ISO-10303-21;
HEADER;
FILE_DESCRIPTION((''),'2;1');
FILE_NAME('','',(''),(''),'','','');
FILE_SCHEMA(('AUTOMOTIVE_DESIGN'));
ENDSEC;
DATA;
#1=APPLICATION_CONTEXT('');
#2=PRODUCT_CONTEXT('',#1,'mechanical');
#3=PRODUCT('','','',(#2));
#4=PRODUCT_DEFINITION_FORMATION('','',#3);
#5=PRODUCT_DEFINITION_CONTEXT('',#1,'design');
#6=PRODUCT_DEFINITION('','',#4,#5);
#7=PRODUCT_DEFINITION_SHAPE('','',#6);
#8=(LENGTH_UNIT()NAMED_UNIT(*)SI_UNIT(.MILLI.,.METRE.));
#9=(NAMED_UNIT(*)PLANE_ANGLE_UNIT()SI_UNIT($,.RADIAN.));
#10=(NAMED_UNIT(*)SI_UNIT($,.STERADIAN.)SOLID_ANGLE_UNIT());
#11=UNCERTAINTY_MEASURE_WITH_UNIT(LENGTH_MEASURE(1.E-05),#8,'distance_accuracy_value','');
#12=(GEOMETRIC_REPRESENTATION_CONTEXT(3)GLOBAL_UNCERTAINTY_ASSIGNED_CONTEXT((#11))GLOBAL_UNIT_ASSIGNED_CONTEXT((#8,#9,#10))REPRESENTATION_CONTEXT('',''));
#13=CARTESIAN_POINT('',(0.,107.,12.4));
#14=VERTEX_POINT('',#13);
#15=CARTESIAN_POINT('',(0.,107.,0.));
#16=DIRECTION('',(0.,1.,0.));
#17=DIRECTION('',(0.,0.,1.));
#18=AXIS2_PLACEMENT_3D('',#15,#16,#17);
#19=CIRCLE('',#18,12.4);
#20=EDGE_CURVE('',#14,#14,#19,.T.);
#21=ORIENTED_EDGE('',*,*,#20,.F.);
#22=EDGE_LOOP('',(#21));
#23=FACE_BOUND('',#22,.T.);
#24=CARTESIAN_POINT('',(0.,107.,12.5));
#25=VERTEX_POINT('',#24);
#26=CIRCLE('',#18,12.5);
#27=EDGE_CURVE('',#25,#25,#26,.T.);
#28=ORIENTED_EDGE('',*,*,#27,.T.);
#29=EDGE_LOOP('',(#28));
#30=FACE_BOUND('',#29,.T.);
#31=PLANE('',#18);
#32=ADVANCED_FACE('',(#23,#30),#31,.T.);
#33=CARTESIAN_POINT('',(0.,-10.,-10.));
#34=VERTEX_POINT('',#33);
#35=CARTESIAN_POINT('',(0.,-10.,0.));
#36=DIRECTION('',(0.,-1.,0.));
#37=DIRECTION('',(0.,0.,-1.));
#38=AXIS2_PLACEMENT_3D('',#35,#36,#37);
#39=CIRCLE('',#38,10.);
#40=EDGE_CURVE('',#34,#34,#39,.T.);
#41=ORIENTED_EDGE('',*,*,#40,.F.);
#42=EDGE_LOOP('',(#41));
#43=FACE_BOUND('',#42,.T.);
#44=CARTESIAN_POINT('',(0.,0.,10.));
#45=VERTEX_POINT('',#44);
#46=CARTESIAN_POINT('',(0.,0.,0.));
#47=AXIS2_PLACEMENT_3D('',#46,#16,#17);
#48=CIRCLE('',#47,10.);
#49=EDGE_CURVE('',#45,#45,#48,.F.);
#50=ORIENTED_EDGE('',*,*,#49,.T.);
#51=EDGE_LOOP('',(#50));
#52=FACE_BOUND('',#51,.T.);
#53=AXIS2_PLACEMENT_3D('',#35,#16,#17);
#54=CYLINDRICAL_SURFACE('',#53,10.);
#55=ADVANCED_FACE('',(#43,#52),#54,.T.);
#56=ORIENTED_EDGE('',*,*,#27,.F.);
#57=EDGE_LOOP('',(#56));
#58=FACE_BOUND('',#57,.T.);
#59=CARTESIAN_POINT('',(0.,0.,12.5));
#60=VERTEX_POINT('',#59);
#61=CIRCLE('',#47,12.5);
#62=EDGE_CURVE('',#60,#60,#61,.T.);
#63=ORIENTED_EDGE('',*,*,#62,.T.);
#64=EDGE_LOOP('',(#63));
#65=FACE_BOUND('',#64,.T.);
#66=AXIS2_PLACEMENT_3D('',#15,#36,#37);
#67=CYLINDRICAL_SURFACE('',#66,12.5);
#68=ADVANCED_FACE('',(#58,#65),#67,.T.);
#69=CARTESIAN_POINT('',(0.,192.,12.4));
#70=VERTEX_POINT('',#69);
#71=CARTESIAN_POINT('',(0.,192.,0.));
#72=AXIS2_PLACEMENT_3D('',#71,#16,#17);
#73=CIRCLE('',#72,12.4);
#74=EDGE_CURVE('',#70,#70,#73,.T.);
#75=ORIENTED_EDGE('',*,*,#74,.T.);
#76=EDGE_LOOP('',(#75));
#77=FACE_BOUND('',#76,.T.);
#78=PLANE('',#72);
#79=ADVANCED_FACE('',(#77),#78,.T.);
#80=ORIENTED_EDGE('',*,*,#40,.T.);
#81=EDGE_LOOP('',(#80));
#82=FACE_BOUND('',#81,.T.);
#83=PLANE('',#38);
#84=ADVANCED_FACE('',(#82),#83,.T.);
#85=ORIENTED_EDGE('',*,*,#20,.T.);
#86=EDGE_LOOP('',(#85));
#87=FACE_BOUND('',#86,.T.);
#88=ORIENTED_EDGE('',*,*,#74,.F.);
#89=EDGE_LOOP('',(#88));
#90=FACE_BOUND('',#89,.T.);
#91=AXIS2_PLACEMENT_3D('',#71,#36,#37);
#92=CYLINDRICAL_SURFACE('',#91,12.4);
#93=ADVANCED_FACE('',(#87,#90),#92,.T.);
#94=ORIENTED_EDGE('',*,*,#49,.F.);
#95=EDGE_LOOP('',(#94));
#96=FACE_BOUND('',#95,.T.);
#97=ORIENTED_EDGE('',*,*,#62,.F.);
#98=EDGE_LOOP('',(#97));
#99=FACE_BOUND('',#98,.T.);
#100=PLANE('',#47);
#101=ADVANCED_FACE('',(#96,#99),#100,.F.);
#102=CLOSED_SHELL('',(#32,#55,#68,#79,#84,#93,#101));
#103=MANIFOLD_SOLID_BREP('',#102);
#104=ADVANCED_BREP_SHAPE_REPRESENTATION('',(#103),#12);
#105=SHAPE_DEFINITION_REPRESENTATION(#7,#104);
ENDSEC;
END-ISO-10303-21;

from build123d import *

# Parameters (mm, degrees)
SKETCH1_R           = 12.5
BOSS_EXTRUDE1_DEPTH = 107
SKETCH2_R           = 12.4
BOSS_EXTRUDE2_DEPTH = 85
SKETCH3_R           = 10
BOSS_EXTRUDE3_DEPTH = 10


with BuildPart() as part:
    # Sketch1 → Boss-Extrude1 (new body)
    with BuildSketch(Plane(origin=(0, 0, 0), x_dir=(1, 0, 0), z_dir=(0, 1, 0))):
        Circle(SKETCH1_R)
    extrude(amount=BOSS_EXTRUDE1_DEPTH)

    # Sketch2 → Boss-Extrude2 (add)
    with BuildSketch(Plane(origin=(0, 107, 0), x_dir=(1, 0, 0), z_dir=(0, 1, 0))):
        Circle(SKETCH2_R)
    extrude(amount=BOSS_EXTRUDE2_DEPTH)

    # Sketch3 → Boss-Extrude3 (add)
    with BuildSketch(Plane.XZ):
        Circle(SKETCH3_R)
    extrude(amount=BOSS_EXTRUDE3_DEPTH)


solid = part.part
